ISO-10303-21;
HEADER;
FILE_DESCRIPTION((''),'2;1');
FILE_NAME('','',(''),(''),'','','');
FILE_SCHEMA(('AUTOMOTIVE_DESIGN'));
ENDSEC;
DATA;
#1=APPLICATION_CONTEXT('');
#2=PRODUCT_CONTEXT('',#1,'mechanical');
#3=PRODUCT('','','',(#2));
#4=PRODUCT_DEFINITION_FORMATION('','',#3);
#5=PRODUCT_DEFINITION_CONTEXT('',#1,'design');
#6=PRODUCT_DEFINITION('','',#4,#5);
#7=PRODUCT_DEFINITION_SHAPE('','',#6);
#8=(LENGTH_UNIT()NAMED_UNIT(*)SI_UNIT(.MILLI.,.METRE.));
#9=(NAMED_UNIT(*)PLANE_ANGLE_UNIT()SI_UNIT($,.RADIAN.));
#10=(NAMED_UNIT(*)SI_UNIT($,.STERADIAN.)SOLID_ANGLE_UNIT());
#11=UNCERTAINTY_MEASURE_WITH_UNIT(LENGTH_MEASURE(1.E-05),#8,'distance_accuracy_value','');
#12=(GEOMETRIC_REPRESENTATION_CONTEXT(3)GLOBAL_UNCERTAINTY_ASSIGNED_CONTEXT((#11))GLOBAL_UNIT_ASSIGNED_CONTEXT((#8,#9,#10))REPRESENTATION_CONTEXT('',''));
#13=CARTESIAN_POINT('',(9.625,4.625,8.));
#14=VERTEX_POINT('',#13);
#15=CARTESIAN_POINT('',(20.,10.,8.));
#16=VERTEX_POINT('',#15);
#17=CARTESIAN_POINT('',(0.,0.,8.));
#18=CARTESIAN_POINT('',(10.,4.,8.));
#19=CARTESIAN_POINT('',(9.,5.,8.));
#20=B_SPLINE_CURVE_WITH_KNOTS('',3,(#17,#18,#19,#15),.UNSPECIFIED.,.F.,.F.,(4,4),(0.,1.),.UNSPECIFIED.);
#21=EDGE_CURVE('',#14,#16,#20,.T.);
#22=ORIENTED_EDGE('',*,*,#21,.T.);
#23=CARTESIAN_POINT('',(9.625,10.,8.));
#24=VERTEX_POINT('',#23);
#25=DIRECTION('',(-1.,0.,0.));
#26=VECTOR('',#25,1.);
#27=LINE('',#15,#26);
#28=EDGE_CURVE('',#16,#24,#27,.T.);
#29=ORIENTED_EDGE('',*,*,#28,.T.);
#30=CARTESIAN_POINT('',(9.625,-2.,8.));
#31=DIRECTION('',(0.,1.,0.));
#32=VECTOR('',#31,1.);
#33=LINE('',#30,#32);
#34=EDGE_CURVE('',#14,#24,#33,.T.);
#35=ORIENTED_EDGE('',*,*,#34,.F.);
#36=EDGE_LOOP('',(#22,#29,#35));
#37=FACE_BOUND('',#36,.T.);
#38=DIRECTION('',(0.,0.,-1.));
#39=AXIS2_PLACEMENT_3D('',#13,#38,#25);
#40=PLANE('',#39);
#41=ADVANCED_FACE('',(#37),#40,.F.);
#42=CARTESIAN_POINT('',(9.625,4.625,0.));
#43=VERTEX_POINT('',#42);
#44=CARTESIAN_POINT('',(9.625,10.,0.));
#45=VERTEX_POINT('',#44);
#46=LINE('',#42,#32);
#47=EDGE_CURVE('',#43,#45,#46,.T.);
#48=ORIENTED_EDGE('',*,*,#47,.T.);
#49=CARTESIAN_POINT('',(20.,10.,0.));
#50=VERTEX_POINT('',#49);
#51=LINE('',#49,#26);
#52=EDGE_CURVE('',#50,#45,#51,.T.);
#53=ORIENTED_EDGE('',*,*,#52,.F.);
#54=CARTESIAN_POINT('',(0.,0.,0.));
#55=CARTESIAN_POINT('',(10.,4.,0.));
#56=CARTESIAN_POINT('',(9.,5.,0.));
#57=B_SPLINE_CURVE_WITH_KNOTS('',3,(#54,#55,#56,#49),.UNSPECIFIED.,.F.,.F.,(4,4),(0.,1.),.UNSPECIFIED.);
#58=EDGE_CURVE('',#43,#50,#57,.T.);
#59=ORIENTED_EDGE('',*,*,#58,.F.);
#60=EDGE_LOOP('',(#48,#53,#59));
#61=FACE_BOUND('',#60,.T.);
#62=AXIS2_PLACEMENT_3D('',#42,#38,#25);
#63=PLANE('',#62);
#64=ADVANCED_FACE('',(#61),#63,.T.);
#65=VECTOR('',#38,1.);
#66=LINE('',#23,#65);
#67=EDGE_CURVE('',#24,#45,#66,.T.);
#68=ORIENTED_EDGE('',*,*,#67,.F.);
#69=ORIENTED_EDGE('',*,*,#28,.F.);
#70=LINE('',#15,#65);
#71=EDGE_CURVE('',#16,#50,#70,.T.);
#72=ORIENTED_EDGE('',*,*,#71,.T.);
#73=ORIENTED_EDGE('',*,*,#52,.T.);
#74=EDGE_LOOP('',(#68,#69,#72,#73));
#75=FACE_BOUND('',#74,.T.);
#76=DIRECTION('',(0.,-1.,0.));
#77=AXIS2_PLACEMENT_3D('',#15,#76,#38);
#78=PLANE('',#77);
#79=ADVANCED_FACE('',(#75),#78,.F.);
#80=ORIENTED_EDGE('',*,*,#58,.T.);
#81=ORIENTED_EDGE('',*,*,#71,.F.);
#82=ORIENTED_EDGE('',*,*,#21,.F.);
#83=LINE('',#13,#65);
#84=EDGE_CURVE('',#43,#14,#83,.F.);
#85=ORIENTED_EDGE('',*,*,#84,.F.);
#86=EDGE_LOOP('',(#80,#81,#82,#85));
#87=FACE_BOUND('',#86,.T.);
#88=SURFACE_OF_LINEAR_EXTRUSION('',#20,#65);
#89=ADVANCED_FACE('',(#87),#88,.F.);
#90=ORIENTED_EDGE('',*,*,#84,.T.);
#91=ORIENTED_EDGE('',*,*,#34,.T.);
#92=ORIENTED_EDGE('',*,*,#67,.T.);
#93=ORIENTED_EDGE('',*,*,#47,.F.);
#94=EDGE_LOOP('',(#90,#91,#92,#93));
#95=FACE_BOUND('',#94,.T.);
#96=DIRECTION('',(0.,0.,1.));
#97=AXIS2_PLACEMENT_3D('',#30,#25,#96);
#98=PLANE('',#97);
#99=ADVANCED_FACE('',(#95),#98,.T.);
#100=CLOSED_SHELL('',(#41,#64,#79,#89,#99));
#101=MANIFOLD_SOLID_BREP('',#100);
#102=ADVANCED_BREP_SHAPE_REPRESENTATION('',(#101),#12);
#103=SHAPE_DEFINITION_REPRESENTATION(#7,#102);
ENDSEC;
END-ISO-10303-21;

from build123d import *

# Parameters (mm, degrees)
FEATURE_PRISM_DEPTH = 8
PROFILE_CUT_W       = 11.625
PROFILE_CUT_H       = 14
FEATURE_TRIM_DEPTH  = 24.748684334


with BuildPart() as part:
    # profile:cubic → feature:prism (new body)
    with BuildSketch(Plane.XY):
        with BuildLine():
            Line((20, 10), (0, 10))
            Line((0, 10), (0, 0))
            add(Edge.make_bspline(
                [(0, 0), (10, 4), (9, 5), (20, 10)],
                knots=[0, 0, 0, 0, 1, 1, 1, 1], degree=3))
        make_face()
    extrude(amount=FEATURE_PRISM_DEPTH)

    # profile:cut → feature:trim (cut, through all)
    with BuildSketch(Plane.XY):
        with Locations((3.8125, 5)):
            Rectangle(PROFILE_CUT_W, PROFILE_CUT_H)
    extrude(amount=FEATURE_TRIM_DEPTH, mode=Mode.SUBTRACT)


solid = part.part
